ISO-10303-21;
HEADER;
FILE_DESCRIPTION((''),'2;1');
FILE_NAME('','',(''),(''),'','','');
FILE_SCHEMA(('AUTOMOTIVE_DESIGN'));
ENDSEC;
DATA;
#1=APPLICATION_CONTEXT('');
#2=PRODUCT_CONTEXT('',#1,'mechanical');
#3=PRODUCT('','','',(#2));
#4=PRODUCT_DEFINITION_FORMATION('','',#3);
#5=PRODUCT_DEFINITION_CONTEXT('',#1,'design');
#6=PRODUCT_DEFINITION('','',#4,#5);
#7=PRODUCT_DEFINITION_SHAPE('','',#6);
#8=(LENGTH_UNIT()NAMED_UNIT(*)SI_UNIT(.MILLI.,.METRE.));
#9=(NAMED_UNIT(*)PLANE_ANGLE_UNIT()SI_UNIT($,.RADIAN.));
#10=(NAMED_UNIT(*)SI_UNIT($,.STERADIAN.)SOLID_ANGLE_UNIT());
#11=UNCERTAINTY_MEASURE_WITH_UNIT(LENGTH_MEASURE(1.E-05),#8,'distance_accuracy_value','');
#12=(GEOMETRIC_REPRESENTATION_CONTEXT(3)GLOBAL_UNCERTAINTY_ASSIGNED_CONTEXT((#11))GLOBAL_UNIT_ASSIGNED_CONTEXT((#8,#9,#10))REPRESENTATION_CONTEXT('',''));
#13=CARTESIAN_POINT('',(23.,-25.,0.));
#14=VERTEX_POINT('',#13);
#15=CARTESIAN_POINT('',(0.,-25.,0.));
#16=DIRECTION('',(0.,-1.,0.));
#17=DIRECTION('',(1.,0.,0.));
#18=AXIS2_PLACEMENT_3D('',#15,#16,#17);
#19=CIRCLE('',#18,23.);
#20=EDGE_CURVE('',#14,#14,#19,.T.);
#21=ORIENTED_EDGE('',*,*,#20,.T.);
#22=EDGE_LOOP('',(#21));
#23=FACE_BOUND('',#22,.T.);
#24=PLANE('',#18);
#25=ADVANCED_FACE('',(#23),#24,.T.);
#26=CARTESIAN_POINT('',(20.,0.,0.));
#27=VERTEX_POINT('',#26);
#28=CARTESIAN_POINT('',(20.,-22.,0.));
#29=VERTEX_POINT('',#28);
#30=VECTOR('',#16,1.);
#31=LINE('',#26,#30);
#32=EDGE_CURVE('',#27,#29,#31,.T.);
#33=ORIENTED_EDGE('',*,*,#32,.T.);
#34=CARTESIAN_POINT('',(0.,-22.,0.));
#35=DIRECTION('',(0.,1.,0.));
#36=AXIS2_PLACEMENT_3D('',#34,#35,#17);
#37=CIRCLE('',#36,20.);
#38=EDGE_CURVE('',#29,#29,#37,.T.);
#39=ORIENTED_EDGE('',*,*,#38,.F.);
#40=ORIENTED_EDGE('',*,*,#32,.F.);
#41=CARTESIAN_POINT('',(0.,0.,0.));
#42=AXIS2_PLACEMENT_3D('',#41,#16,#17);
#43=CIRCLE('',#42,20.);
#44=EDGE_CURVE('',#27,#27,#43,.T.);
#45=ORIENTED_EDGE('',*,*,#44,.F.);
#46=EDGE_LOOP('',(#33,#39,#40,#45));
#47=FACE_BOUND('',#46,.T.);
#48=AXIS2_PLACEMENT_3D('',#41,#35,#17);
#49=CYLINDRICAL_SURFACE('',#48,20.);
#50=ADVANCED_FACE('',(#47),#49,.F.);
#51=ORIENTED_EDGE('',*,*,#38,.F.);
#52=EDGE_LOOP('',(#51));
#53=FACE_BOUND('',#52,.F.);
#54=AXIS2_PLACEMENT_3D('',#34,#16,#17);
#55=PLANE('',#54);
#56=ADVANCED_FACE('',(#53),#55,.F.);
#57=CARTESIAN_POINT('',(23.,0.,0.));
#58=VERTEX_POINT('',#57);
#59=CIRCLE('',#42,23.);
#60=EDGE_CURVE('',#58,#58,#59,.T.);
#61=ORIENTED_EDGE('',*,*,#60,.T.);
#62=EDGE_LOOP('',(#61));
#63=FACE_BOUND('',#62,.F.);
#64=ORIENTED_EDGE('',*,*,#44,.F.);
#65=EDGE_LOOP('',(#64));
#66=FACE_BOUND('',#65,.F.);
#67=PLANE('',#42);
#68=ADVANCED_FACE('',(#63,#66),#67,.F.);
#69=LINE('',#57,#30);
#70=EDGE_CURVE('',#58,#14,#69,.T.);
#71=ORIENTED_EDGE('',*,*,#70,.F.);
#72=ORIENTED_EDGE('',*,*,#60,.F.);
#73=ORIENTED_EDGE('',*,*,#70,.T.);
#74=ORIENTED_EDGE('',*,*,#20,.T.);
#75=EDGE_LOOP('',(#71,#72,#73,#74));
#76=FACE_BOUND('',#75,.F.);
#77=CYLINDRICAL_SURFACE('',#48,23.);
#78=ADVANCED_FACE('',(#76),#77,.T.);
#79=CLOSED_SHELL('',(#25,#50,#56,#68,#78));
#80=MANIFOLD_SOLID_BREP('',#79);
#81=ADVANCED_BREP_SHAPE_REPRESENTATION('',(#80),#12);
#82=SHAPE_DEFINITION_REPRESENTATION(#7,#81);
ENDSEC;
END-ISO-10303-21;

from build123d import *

# Parameters (mm, degrees)
F0_R     = 23
F0_R_2   = 20
F1_DEPTH = 25
F2_R     = 23
F3_DEPTH = 3


with BuildPart() as f1:
    # F0 (on Front) → F1 (new body)
    with BuildSketch(Plane.XZ):
        Circle(F0_R)
        Circle(F0_R_2, mode=Mode.SUBTRACT)
    extrude(amount=F1_DEPTH)

    # F2 (on face) → F3 (join)
    with BuildSketch(Plane.XZ.offset(25)):
        Circle(F2_R)
    extrude(amount=-F3_DEPTH)


solid = f1.part
